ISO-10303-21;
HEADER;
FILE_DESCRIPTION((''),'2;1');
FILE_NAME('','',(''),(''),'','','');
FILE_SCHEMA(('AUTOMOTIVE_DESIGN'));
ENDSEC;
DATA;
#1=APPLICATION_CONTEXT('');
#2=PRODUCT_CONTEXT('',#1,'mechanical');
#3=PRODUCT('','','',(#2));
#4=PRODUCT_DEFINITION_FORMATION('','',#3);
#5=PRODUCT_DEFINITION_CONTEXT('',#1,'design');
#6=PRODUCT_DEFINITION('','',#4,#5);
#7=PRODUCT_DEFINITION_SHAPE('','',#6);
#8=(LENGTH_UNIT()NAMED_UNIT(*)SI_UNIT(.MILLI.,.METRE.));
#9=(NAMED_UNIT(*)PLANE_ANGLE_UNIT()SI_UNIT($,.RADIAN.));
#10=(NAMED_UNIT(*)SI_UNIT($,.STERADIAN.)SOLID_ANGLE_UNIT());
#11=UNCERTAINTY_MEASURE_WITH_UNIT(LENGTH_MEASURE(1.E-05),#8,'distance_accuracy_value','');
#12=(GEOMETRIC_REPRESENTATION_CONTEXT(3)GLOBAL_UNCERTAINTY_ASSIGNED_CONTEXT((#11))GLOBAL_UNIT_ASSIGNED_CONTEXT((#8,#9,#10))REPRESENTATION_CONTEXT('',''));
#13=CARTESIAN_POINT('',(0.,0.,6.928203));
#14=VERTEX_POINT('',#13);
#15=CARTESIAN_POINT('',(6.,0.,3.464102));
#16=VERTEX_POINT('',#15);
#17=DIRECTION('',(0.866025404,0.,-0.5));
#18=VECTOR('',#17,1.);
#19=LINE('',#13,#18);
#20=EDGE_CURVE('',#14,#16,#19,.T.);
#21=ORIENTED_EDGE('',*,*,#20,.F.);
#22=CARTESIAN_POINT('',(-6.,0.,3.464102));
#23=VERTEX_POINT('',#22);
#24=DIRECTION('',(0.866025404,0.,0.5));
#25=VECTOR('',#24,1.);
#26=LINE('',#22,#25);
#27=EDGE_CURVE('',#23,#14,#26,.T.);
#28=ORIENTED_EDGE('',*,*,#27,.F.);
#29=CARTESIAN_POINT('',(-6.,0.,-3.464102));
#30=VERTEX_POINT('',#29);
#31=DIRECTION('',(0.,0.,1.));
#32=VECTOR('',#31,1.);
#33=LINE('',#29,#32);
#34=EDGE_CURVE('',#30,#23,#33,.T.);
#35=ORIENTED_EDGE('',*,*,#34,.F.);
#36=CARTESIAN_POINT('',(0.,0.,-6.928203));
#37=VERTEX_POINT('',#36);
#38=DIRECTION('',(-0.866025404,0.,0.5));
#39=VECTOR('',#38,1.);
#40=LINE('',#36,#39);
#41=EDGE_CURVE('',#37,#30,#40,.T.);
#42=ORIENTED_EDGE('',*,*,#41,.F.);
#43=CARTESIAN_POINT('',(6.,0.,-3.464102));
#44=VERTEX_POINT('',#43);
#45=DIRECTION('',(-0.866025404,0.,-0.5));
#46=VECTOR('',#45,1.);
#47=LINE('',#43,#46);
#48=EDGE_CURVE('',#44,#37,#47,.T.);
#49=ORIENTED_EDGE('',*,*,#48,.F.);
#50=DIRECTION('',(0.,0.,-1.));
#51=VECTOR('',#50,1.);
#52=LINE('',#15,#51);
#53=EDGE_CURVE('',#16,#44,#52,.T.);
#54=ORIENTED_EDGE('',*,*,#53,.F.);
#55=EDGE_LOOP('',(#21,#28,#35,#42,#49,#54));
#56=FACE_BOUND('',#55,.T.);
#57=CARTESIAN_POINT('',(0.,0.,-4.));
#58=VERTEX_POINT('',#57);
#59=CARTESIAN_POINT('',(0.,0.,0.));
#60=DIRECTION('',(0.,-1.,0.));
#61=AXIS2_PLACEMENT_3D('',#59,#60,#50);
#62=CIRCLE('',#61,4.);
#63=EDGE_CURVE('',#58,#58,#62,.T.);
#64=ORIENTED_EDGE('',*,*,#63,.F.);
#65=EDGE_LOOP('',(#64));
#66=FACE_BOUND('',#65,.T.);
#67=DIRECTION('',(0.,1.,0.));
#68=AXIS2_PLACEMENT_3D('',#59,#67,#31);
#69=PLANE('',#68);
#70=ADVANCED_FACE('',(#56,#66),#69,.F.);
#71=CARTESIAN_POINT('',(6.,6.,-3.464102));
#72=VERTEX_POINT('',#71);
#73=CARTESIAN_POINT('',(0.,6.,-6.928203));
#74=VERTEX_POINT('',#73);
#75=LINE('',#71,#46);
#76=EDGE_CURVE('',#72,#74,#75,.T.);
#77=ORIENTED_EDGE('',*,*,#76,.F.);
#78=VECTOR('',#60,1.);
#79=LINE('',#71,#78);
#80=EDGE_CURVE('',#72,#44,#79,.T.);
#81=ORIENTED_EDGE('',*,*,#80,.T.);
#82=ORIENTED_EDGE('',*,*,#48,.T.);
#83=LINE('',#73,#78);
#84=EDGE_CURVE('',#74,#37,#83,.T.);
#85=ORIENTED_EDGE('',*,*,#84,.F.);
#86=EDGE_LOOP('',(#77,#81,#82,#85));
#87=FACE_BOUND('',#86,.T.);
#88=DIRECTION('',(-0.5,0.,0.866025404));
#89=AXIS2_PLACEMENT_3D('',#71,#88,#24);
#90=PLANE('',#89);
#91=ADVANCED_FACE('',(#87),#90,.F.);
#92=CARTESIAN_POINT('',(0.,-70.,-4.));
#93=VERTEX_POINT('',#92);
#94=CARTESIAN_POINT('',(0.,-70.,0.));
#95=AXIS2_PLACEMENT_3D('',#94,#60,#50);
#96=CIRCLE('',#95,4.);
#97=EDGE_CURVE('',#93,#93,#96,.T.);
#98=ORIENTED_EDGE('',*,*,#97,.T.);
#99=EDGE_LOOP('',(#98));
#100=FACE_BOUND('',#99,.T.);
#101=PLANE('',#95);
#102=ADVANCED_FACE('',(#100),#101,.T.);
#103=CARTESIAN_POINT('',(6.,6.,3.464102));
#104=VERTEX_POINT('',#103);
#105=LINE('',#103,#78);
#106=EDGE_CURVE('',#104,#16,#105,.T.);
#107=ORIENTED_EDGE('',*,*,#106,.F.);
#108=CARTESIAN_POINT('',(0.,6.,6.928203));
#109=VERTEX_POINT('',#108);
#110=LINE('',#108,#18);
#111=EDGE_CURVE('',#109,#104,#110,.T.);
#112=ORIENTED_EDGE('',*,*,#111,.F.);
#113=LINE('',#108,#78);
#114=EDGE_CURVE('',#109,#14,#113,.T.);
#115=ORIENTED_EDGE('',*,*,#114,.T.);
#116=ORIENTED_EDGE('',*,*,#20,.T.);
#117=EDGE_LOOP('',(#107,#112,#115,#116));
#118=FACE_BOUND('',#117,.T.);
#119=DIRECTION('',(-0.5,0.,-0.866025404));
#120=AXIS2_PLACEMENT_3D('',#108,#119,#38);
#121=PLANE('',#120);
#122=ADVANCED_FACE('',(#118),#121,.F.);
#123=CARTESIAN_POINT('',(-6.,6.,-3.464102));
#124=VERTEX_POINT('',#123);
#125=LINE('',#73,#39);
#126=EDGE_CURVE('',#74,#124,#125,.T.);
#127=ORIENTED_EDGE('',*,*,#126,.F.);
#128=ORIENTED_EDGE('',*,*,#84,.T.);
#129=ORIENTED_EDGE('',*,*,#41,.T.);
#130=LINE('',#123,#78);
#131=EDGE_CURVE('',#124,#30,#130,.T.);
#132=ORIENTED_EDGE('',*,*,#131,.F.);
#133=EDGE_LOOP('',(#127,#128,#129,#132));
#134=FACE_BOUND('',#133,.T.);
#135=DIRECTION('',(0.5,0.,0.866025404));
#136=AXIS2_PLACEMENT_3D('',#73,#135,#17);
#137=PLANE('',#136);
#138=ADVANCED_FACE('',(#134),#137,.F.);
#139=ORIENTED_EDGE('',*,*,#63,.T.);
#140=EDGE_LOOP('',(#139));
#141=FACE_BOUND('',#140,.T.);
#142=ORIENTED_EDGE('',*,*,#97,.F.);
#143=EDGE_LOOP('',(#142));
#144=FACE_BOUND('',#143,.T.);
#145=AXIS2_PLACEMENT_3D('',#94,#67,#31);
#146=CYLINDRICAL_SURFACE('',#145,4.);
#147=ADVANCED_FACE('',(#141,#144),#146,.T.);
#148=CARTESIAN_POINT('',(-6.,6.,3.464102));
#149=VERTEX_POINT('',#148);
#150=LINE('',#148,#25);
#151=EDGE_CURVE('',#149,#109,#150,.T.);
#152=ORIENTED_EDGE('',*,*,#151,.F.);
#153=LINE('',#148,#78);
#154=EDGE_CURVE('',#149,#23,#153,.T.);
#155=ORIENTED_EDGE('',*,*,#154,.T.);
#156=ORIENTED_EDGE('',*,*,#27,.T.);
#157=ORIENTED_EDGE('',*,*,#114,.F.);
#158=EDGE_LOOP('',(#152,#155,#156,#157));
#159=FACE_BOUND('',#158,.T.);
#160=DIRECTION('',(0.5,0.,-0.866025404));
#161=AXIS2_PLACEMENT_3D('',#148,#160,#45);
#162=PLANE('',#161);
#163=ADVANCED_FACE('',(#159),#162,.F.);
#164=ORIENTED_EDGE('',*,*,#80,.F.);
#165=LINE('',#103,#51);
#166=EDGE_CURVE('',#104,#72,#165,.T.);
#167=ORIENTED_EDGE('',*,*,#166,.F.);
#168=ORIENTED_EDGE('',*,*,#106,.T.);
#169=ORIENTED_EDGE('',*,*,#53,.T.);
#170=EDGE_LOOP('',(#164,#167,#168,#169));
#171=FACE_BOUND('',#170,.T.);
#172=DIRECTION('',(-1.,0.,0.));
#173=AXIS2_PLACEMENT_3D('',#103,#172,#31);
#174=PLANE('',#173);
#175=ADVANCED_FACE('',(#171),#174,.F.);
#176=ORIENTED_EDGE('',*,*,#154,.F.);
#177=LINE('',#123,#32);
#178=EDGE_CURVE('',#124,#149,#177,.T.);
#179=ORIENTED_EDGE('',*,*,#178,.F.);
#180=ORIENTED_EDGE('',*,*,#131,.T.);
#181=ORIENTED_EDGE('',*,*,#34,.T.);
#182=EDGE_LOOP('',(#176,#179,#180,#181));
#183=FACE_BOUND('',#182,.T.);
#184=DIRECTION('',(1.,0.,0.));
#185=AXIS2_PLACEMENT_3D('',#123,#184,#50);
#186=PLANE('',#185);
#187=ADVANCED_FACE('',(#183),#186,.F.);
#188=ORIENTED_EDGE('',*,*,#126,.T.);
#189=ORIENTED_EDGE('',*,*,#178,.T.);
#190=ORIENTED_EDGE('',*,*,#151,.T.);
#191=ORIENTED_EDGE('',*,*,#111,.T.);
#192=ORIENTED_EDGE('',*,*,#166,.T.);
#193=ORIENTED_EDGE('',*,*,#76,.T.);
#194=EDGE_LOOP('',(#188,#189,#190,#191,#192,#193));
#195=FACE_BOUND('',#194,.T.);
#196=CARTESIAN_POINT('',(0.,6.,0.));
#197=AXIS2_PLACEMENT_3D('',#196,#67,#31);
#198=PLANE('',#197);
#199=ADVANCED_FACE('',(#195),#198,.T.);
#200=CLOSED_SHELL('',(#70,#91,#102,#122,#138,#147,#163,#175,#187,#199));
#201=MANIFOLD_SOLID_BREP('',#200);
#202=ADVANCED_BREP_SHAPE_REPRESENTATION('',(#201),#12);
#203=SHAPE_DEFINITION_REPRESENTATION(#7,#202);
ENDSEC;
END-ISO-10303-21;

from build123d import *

# Parameters (mm, degrees)
EXTRUDE_1_DEPTH = 6
SKETCH_2_R      = 4
EXTRUDE_2_DEPTH = 70


with BuildPart() as part:
    # Эскиз1 → Бобышка-Вытянуть1 (new body)
    with BuildSketch(Plane(origin=(0, 0, 0), x_dir=(1, 0, 0), z_dir=(0, 1, 0))):
        Polygon((0, -6.92820323), (6, -3.464101615), (6, 3.464101615), (0, 6.92820323), (-6, 3.464101615), (-6, -3.464101615), align=None)
    extrude(amount=EXTRUDE_1_DEPTH)

    # Эскиз2 → Бобышка-Вытянуть2 (add)
    with BuildSketch(Plane.XZ):
        Circle(SKETCH_2_R)
    extrude(amount=EXTRUDE_2_DEPTH)


solid = part.part
